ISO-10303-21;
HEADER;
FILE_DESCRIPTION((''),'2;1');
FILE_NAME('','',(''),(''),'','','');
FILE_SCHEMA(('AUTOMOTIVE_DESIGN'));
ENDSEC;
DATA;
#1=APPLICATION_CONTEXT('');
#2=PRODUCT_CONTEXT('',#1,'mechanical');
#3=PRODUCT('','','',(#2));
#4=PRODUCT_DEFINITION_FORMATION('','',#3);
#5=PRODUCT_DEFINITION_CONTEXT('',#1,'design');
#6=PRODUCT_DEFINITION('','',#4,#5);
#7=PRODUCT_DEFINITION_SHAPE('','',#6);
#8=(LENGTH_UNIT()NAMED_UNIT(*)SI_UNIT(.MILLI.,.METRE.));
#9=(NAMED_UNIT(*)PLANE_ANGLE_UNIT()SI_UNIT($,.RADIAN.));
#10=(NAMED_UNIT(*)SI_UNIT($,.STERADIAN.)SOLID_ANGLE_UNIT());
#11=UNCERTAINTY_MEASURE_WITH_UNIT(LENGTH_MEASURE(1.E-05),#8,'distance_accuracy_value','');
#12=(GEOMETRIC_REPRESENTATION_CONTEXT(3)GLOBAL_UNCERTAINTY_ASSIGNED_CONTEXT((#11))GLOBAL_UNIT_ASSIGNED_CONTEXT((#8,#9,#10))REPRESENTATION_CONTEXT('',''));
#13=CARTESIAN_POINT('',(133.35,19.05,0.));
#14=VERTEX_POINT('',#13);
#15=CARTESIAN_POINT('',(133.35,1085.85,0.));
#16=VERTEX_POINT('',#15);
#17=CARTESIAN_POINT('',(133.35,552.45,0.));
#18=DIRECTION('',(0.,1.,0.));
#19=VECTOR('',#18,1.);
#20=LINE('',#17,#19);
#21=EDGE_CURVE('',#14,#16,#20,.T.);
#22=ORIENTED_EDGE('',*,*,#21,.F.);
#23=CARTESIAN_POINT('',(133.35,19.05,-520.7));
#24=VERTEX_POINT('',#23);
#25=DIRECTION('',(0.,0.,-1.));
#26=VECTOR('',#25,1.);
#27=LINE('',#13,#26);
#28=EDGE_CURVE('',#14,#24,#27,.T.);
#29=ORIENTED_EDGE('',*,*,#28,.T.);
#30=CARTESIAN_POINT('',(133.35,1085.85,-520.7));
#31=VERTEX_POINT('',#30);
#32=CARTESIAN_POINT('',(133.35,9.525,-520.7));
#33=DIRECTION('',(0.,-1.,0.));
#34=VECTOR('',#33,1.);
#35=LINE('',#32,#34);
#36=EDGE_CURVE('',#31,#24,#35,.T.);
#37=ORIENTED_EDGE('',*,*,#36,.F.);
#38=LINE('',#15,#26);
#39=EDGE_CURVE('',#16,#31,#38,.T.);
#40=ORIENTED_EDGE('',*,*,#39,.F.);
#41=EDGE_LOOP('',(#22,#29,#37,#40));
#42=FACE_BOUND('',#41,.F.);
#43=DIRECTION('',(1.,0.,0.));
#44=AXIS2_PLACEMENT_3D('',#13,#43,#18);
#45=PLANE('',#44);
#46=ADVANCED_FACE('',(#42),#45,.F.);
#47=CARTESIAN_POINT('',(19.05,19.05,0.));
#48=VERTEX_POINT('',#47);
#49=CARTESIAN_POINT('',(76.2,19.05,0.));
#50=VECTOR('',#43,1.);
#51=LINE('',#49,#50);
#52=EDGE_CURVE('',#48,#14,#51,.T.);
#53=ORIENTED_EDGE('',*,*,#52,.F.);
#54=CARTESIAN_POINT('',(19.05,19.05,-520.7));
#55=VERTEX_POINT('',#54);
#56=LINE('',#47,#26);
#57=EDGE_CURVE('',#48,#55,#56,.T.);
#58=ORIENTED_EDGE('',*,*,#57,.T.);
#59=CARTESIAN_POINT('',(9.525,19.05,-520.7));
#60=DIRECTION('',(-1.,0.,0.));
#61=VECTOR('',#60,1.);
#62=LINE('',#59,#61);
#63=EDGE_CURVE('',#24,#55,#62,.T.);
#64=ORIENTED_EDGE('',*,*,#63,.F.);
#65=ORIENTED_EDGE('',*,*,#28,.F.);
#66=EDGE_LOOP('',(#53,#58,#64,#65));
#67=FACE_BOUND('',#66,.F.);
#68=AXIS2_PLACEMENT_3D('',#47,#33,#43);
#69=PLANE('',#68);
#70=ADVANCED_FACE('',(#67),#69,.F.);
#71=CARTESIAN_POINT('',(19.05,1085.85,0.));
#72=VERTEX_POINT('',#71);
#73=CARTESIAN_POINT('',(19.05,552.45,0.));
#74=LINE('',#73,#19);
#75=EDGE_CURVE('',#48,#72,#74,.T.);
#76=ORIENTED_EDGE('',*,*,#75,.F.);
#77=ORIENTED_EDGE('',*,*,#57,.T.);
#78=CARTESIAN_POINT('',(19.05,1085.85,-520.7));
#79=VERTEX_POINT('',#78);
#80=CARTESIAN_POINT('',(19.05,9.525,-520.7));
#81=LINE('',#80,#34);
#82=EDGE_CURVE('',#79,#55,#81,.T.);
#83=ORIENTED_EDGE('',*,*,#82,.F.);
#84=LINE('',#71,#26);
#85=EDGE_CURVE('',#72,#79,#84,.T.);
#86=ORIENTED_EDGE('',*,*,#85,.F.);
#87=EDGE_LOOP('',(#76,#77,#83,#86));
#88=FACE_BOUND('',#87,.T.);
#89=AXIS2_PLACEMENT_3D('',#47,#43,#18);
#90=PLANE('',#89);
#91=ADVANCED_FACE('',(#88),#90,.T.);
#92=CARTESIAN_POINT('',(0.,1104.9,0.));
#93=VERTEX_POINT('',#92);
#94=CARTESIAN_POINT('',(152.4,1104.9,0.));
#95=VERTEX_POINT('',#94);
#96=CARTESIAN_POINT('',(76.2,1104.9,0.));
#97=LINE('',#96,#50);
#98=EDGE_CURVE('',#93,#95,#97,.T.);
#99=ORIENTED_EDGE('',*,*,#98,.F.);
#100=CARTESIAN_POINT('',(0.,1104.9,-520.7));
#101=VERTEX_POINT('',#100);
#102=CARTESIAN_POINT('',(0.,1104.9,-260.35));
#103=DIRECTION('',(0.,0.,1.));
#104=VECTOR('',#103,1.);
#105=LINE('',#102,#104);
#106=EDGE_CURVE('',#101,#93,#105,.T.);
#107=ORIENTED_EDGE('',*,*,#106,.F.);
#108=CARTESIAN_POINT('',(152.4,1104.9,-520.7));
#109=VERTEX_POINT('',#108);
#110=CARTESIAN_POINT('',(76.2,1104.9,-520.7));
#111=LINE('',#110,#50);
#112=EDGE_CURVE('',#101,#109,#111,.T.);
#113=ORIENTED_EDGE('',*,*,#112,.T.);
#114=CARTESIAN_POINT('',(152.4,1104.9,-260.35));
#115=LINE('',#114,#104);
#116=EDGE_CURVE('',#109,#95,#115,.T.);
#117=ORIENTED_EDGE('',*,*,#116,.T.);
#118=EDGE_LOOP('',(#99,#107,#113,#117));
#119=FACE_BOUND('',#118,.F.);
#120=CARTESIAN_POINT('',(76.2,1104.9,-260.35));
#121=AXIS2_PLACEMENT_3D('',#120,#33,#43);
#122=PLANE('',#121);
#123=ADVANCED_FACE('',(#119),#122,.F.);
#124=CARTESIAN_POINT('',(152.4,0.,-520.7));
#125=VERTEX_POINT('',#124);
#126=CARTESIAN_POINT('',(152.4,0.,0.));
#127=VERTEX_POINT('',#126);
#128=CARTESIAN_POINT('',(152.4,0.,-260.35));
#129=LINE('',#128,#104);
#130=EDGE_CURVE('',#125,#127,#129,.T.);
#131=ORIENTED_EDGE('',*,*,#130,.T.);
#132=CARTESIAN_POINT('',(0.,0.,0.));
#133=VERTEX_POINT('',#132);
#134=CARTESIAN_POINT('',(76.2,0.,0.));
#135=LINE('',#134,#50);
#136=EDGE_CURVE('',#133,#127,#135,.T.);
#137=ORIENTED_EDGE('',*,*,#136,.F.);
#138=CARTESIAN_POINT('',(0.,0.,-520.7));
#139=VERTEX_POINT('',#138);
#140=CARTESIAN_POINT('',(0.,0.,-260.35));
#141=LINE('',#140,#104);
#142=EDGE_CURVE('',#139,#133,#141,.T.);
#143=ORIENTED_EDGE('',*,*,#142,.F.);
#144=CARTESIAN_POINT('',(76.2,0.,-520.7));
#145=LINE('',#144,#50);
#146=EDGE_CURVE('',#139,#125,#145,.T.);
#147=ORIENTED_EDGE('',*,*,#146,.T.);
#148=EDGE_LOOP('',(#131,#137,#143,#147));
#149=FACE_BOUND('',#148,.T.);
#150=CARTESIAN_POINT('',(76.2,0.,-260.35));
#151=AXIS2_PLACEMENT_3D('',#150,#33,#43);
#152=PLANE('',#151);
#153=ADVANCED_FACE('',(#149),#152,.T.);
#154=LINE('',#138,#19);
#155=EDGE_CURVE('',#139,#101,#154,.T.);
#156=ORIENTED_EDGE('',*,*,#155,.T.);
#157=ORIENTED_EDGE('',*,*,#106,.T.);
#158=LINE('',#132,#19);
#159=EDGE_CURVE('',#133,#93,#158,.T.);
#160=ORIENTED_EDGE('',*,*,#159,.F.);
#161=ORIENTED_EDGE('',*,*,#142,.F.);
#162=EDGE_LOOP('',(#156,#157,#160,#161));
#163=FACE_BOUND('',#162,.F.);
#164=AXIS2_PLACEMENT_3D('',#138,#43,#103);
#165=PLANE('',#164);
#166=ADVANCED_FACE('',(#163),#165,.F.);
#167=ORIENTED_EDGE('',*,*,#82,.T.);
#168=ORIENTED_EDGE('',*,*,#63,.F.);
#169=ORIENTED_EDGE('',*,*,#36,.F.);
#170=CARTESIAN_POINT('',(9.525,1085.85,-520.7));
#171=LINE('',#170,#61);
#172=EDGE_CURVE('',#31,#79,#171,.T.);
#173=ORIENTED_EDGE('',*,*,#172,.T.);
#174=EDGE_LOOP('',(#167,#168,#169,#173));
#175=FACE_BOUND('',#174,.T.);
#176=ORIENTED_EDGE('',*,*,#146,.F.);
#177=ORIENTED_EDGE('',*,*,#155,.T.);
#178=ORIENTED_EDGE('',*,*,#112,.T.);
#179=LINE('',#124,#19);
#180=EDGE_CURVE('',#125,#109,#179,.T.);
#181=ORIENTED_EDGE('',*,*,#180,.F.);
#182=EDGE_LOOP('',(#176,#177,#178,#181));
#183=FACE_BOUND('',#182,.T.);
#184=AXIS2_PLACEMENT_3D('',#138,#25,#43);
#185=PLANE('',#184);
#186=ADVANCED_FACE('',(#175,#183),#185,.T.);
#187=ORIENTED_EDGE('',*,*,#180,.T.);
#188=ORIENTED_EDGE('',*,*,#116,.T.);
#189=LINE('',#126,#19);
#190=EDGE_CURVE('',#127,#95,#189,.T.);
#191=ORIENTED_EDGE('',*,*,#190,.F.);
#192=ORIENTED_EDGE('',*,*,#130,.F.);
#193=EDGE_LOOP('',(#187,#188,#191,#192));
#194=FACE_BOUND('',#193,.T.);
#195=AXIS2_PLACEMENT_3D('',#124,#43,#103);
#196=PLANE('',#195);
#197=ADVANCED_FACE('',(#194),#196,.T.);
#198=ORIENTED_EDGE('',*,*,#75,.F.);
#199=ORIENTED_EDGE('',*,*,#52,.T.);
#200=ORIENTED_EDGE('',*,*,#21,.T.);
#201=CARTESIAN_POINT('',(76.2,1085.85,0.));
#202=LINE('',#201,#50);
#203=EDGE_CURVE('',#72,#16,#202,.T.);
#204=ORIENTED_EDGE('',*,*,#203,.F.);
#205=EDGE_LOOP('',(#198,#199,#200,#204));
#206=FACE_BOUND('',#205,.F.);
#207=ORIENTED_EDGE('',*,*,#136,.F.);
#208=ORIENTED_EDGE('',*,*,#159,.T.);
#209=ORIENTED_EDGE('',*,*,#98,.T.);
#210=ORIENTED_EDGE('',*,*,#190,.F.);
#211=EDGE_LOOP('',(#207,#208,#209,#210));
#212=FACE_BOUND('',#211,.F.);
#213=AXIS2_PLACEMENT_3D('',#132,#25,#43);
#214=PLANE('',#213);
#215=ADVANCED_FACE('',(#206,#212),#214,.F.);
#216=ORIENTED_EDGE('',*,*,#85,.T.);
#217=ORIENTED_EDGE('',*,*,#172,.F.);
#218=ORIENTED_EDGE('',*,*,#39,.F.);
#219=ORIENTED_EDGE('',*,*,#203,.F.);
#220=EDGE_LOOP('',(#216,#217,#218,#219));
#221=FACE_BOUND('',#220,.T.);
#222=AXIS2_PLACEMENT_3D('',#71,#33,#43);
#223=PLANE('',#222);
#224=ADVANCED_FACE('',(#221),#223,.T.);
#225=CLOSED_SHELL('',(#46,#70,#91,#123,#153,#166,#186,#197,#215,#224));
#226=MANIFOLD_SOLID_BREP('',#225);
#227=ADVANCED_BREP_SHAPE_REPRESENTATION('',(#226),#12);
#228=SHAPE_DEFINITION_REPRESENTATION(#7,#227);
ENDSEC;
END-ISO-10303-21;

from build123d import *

# Parameters (mm, degrees)
F0_W     = 152.4
F0_H     = 520.7
F1_DEPTH = 1104.9
F2_W     = 114.3
F2_H     = 1066.8
F3_DEPTH = 520.701


with BuildPart() as f1:
    # F0 (on Front) → F1 (new body)
    with BuildSketch(Plane.XZ):
        with Locations((76.2, -260.35)):
            Rectangle(F0_W, F0_H)
    extrude(amount=-F1_DEPTH)

    # F2 (on face) → F3 (cut, through all)
    with BuildSketch(Plane.XY):
        with Locations((76.2, 552.45)):
            Rectangle(F2_W, F2_H)
    extrude(amount=-F3_DEPTH, mode=Mode.SUBTRACT)


solid = f1.part
